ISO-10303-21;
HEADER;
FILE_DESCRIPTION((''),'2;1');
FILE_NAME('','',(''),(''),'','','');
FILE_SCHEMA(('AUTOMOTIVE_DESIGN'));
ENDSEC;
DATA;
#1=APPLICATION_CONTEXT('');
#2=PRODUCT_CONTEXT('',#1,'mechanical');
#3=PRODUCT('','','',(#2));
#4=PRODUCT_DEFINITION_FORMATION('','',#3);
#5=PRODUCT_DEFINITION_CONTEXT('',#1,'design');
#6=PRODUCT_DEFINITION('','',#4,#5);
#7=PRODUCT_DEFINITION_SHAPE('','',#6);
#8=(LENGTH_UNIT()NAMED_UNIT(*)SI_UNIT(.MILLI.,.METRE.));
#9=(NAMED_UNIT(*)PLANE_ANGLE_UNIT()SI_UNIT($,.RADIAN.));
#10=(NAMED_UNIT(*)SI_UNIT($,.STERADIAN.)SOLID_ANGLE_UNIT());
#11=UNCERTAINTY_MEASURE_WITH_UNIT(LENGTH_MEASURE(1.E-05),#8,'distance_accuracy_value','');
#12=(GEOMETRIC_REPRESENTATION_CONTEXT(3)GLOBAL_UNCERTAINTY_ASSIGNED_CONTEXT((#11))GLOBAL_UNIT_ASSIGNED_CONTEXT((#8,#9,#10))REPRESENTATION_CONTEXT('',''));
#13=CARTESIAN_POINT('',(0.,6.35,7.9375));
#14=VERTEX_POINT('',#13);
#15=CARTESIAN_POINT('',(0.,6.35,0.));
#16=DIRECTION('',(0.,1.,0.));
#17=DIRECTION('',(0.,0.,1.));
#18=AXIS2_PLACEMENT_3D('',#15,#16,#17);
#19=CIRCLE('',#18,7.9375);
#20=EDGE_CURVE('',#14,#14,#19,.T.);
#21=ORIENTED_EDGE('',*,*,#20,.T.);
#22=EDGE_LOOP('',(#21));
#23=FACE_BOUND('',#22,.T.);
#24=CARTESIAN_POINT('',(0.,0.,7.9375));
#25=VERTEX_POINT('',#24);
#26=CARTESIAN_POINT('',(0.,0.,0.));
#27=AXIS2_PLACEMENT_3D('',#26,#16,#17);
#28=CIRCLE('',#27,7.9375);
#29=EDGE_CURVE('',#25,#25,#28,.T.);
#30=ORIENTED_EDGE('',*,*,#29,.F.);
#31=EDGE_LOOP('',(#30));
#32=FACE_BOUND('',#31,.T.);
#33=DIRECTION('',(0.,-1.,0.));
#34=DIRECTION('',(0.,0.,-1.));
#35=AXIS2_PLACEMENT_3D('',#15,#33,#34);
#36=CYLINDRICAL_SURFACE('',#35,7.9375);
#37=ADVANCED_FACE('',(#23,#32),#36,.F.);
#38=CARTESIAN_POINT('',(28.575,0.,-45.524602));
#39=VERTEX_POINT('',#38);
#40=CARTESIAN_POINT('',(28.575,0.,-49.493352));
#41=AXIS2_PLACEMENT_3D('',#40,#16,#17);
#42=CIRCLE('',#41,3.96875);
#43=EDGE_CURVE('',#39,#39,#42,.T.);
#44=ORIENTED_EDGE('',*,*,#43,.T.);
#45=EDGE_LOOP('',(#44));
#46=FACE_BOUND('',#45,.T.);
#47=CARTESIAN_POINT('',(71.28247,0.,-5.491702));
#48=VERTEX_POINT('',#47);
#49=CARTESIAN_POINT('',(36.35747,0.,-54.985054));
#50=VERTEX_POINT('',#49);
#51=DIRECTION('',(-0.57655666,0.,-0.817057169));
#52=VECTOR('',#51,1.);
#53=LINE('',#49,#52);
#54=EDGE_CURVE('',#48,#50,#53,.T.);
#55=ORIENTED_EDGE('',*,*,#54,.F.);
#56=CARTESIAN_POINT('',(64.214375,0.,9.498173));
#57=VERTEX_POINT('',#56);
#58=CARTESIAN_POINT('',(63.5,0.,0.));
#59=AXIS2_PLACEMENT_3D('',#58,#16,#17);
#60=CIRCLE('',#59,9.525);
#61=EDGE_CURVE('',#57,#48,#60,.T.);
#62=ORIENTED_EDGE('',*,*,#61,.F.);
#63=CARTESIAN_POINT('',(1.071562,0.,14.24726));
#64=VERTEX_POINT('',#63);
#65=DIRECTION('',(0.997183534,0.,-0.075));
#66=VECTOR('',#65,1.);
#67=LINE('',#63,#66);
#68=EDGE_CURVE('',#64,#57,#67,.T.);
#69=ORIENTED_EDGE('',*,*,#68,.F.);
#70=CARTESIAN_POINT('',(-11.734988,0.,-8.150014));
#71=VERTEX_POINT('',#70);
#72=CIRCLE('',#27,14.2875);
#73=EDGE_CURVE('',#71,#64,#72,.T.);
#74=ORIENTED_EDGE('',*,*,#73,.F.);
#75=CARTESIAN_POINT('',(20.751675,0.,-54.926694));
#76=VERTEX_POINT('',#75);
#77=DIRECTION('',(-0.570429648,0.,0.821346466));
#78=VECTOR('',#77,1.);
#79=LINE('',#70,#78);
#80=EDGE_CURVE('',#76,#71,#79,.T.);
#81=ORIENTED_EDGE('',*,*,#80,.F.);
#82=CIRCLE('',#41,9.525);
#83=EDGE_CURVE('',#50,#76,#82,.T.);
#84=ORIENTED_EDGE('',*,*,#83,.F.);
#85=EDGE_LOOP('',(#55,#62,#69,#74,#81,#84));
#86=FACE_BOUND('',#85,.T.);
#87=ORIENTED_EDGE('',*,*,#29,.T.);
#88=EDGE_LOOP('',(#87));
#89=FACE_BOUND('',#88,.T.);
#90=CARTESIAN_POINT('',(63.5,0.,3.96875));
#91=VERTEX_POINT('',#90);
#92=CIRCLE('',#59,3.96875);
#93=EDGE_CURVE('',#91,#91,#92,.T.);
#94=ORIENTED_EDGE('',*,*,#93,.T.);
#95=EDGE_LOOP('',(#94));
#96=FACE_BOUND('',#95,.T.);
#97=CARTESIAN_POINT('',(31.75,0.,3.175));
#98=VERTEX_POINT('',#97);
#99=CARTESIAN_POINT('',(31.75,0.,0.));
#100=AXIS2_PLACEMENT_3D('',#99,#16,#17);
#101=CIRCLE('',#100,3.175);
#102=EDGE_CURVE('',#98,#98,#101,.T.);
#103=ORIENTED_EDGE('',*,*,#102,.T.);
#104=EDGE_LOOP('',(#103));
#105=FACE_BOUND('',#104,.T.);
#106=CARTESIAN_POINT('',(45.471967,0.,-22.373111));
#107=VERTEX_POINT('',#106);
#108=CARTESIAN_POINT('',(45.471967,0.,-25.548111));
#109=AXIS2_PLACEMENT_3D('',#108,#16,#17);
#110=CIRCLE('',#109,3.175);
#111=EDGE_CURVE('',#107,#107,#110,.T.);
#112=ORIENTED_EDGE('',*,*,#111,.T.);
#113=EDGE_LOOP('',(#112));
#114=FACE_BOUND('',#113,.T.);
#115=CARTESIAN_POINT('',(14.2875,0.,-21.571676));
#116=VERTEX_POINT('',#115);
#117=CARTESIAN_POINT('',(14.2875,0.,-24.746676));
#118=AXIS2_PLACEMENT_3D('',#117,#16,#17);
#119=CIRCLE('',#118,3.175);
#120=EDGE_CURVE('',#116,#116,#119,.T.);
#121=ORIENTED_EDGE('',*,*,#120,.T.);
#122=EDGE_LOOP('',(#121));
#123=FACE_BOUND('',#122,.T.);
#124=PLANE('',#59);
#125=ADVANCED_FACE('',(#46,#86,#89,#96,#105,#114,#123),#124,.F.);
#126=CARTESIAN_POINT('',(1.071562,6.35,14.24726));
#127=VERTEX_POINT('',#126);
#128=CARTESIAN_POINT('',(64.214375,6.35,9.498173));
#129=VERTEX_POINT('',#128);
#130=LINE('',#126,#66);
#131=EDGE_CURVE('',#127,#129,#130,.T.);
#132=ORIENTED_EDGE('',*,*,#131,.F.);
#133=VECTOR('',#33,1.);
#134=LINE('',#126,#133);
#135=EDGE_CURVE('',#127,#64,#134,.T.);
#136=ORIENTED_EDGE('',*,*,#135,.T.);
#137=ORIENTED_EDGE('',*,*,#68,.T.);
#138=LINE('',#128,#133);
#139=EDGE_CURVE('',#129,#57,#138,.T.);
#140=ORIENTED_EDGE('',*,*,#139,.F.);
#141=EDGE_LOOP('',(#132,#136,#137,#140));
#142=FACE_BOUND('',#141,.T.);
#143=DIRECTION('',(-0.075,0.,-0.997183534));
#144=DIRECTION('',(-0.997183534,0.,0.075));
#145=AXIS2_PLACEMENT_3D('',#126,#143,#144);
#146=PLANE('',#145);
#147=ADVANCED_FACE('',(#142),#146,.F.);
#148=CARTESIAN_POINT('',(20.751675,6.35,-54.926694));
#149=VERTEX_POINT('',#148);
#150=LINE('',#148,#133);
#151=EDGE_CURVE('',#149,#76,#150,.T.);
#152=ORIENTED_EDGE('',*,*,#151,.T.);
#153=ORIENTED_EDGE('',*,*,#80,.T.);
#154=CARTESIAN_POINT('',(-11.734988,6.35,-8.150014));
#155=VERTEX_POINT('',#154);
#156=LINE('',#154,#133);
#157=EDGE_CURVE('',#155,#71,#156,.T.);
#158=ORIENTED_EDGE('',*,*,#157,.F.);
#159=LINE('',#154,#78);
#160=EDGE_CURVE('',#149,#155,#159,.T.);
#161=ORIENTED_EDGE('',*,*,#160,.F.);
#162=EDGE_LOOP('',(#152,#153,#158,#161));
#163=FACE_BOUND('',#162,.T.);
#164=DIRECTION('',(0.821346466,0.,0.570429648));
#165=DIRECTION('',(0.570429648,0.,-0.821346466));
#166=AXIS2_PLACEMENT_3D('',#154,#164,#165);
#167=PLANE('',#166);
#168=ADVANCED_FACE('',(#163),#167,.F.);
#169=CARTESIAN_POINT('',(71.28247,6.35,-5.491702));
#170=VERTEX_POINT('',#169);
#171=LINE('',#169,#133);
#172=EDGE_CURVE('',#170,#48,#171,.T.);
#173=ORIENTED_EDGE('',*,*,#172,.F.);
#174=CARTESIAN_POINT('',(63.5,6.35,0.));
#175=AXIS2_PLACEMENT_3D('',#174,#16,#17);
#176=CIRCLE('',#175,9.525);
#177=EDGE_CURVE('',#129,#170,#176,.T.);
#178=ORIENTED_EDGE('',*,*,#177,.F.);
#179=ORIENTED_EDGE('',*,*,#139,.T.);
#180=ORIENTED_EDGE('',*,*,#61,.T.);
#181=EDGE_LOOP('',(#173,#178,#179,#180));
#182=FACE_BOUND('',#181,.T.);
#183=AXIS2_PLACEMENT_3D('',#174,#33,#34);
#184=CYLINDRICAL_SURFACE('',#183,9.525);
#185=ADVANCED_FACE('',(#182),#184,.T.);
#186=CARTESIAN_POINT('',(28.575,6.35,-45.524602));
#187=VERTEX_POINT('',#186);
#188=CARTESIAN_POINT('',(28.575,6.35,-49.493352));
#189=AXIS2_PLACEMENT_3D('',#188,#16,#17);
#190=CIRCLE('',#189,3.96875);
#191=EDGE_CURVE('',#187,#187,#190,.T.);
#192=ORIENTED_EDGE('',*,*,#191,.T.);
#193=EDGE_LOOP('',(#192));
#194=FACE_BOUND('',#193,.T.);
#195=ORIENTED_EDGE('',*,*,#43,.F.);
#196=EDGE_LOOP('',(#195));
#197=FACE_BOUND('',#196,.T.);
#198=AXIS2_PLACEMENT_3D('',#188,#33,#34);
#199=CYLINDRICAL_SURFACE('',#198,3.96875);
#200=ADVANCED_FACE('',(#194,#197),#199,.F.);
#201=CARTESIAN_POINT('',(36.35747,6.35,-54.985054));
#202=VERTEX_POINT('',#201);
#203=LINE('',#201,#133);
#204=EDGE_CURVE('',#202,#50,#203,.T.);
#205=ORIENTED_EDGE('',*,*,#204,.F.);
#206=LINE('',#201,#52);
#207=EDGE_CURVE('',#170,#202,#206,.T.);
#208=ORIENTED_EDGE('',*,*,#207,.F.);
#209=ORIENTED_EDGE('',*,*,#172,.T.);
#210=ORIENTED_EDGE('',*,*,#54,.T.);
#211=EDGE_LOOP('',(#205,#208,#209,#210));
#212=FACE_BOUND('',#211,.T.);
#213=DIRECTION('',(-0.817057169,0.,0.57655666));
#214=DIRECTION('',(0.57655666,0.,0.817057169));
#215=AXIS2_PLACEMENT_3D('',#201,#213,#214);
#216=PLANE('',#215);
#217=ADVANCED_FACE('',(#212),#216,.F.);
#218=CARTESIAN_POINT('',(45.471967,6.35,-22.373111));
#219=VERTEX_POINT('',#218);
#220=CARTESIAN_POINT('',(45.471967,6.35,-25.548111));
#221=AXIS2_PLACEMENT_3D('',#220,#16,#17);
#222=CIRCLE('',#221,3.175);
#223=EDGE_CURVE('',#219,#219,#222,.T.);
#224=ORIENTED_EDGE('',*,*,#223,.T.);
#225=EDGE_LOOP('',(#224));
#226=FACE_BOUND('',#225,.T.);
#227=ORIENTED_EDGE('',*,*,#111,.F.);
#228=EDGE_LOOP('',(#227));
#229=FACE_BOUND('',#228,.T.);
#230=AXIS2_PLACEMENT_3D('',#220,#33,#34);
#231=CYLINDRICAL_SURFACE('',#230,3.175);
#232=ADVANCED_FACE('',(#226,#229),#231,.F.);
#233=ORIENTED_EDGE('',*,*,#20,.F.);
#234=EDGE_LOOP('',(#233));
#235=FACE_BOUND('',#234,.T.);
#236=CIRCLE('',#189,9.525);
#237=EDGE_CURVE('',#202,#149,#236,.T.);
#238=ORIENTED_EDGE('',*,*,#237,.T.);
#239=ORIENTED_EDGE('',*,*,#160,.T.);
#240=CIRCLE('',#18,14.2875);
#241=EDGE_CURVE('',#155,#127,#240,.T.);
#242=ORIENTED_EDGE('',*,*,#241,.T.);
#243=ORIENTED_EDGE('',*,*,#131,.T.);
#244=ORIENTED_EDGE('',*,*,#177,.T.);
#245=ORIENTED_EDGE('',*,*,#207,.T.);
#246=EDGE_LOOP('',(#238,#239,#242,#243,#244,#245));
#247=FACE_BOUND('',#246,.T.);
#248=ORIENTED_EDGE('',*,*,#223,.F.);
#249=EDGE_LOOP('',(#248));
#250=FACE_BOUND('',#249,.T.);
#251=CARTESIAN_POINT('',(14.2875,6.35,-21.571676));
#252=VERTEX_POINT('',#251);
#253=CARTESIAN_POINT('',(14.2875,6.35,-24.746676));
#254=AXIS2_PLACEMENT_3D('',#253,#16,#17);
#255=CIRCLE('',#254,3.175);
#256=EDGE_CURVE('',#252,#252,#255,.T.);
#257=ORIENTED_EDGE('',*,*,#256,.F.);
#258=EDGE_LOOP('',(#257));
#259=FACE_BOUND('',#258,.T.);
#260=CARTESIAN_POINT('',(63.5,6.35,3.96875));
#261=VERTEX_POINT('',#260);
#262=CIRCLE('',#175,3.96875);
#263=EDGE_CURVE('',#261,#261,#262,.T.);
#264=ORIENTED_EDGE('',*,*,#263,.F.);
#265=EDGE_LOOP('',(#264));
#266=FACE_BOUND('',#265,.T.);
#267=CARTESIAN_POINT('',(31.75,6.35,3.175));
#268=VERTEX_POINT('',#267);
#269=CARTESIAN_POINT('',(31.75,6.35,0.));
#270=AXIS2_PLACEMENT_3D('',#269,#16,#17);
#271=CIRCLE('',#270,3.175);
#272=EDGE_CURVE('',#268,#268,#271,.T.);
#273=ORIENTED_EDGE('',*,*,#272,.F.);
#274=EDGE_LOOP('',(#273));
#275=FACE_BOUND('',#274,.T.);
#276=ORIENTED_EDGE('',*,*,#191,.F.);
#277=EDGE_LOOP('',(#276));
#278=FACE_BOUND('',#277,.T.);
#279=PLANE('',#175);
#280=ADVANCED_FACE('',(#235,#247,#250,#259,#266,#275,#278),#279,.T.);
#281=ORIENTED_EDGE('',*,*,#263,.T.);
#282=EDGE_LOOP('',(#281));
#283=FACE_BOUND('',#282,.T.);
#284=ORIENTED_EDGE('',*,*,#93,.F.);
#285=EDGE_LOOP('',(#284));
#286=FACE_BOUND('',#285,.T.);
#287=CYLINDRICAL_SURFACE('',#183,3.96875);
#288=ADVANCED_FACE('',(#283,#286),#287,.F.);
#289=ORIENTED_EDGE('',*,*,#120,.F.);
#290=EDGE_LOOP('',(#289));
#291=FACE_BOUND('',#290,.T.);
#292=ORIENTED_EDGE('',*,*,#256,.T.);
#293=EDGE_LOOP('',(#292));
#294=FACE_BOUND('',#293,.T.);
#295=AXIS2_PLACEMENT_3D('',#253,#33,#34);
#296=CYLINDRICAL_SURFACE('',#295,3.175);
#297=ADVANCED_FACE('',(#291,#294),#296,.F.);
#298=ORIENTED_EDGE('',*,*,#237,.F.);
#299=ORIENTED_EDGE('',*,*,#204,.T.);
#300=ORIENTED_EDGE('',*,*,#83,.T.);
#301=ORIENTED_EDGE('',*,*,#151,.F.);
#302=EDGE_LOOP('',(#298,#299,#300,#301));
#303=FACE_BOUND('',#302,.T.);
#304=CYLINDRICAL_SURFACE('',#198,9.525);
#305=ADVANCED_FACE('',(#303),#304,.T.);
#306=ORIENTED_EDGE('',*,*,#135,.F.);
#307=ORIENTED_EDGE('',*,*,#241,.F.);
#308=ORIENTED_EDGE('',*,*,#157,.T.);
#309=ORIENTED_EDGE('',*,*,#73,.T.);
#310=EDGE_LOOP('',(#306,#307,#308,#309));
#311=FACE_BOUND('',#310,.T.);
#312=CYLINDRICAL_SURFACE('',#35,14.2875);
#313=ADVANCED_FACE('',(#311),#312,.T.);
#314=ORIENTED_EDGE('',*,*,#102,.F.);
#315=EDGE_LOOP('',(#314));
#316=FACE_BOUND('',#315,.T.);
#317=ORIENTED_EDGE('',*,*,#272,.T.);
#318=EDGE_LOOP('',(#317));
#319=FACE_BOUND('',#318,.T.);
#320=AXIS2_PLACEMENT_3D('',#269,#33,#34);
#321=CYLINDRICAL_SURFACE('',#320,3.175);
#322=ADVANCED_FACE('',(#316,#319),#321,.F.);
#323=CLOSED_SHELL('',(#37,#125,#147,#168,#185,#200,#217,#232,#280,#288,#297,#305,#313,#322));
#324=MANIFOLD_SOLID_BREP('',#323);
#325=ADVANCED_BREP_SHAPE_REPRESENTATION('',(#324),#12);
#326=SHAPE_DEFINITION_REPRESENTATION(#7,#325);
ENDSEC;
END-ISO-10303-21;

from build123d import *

# Parameters (mm, degrees)
SKETCH1_R           = 3.96875
SKETCH1_R_2         = 7.9375
SKETCH1_R_3         = 3.175
BOSS_EXTRUDE1_DEPTH = 6.35


with BuildPart() as part:
    # Sketch1 → Boss-Extrude1 (new body)
    with BuildSketch(Plane(origin=(0, 0, 0), x_dir=(1, 0, 0), z_dir=(0, 1, 0))):
        with BuildLine():
            Line((1.0715625, -14.247259739), (64.214375, -9.498173159))
            ThreePointArc((64.214375, -9.498173159), (72.11528772, -4.062319842), (71.282469536, 5.491702188))
            Line((71.282469536, 5.491702188), (36.357469536, 54.985054015))
            ThreePointArc((36.357469536, 54.985054015), (28.539380338, 59.018285224), (20.751674914, 54.926694223))
            Line((20.751674914, 54.926694223), (-11.734987629, 8.150013595))
            ThreePointArc((-11.734987629, 8.150013595), (-12.403089215, -7.091969697), (1.0715625, -14.247259739))
        make_face()
        with Locations(Location((28.575, 49.493351826, 0), (0, 0, 270))):
            Circle(SKETCH1_R, mode=Mode.SUBTRACT)
        with Locations(Location((0, 0, 0), (0, 0, 270))):
            Circle(SKETCH1_R_2, mode=Mode.SUBTRACT)
        with Locations(Location((63.5, 0, 0), (0, 0, 270))):
            Circle(SKETCH1_R, mode=Mode.SUBTRACT)
        with Locations(Location((14.2875, 24.746675913, 0), (0, 0, 270))):
            Circle(SKETCH1_R_3, mode=Mode.SUBTRACT)
        with Locations(Location((31.75, 0, 0), (0, 0, 270))):
            Circle(SKETCH1_R_3, mode=Mode.SUBTRACT)
        with Locations(Location((45.471967279, 25.5481107, 0), (0, 0, 270))):
            Circle(SKETCH1_R_3, mode=Mode.SUBTRACT)
    extrude(amount=BOSS_EXTRUDE1_DEPTH)


solid = part.part
